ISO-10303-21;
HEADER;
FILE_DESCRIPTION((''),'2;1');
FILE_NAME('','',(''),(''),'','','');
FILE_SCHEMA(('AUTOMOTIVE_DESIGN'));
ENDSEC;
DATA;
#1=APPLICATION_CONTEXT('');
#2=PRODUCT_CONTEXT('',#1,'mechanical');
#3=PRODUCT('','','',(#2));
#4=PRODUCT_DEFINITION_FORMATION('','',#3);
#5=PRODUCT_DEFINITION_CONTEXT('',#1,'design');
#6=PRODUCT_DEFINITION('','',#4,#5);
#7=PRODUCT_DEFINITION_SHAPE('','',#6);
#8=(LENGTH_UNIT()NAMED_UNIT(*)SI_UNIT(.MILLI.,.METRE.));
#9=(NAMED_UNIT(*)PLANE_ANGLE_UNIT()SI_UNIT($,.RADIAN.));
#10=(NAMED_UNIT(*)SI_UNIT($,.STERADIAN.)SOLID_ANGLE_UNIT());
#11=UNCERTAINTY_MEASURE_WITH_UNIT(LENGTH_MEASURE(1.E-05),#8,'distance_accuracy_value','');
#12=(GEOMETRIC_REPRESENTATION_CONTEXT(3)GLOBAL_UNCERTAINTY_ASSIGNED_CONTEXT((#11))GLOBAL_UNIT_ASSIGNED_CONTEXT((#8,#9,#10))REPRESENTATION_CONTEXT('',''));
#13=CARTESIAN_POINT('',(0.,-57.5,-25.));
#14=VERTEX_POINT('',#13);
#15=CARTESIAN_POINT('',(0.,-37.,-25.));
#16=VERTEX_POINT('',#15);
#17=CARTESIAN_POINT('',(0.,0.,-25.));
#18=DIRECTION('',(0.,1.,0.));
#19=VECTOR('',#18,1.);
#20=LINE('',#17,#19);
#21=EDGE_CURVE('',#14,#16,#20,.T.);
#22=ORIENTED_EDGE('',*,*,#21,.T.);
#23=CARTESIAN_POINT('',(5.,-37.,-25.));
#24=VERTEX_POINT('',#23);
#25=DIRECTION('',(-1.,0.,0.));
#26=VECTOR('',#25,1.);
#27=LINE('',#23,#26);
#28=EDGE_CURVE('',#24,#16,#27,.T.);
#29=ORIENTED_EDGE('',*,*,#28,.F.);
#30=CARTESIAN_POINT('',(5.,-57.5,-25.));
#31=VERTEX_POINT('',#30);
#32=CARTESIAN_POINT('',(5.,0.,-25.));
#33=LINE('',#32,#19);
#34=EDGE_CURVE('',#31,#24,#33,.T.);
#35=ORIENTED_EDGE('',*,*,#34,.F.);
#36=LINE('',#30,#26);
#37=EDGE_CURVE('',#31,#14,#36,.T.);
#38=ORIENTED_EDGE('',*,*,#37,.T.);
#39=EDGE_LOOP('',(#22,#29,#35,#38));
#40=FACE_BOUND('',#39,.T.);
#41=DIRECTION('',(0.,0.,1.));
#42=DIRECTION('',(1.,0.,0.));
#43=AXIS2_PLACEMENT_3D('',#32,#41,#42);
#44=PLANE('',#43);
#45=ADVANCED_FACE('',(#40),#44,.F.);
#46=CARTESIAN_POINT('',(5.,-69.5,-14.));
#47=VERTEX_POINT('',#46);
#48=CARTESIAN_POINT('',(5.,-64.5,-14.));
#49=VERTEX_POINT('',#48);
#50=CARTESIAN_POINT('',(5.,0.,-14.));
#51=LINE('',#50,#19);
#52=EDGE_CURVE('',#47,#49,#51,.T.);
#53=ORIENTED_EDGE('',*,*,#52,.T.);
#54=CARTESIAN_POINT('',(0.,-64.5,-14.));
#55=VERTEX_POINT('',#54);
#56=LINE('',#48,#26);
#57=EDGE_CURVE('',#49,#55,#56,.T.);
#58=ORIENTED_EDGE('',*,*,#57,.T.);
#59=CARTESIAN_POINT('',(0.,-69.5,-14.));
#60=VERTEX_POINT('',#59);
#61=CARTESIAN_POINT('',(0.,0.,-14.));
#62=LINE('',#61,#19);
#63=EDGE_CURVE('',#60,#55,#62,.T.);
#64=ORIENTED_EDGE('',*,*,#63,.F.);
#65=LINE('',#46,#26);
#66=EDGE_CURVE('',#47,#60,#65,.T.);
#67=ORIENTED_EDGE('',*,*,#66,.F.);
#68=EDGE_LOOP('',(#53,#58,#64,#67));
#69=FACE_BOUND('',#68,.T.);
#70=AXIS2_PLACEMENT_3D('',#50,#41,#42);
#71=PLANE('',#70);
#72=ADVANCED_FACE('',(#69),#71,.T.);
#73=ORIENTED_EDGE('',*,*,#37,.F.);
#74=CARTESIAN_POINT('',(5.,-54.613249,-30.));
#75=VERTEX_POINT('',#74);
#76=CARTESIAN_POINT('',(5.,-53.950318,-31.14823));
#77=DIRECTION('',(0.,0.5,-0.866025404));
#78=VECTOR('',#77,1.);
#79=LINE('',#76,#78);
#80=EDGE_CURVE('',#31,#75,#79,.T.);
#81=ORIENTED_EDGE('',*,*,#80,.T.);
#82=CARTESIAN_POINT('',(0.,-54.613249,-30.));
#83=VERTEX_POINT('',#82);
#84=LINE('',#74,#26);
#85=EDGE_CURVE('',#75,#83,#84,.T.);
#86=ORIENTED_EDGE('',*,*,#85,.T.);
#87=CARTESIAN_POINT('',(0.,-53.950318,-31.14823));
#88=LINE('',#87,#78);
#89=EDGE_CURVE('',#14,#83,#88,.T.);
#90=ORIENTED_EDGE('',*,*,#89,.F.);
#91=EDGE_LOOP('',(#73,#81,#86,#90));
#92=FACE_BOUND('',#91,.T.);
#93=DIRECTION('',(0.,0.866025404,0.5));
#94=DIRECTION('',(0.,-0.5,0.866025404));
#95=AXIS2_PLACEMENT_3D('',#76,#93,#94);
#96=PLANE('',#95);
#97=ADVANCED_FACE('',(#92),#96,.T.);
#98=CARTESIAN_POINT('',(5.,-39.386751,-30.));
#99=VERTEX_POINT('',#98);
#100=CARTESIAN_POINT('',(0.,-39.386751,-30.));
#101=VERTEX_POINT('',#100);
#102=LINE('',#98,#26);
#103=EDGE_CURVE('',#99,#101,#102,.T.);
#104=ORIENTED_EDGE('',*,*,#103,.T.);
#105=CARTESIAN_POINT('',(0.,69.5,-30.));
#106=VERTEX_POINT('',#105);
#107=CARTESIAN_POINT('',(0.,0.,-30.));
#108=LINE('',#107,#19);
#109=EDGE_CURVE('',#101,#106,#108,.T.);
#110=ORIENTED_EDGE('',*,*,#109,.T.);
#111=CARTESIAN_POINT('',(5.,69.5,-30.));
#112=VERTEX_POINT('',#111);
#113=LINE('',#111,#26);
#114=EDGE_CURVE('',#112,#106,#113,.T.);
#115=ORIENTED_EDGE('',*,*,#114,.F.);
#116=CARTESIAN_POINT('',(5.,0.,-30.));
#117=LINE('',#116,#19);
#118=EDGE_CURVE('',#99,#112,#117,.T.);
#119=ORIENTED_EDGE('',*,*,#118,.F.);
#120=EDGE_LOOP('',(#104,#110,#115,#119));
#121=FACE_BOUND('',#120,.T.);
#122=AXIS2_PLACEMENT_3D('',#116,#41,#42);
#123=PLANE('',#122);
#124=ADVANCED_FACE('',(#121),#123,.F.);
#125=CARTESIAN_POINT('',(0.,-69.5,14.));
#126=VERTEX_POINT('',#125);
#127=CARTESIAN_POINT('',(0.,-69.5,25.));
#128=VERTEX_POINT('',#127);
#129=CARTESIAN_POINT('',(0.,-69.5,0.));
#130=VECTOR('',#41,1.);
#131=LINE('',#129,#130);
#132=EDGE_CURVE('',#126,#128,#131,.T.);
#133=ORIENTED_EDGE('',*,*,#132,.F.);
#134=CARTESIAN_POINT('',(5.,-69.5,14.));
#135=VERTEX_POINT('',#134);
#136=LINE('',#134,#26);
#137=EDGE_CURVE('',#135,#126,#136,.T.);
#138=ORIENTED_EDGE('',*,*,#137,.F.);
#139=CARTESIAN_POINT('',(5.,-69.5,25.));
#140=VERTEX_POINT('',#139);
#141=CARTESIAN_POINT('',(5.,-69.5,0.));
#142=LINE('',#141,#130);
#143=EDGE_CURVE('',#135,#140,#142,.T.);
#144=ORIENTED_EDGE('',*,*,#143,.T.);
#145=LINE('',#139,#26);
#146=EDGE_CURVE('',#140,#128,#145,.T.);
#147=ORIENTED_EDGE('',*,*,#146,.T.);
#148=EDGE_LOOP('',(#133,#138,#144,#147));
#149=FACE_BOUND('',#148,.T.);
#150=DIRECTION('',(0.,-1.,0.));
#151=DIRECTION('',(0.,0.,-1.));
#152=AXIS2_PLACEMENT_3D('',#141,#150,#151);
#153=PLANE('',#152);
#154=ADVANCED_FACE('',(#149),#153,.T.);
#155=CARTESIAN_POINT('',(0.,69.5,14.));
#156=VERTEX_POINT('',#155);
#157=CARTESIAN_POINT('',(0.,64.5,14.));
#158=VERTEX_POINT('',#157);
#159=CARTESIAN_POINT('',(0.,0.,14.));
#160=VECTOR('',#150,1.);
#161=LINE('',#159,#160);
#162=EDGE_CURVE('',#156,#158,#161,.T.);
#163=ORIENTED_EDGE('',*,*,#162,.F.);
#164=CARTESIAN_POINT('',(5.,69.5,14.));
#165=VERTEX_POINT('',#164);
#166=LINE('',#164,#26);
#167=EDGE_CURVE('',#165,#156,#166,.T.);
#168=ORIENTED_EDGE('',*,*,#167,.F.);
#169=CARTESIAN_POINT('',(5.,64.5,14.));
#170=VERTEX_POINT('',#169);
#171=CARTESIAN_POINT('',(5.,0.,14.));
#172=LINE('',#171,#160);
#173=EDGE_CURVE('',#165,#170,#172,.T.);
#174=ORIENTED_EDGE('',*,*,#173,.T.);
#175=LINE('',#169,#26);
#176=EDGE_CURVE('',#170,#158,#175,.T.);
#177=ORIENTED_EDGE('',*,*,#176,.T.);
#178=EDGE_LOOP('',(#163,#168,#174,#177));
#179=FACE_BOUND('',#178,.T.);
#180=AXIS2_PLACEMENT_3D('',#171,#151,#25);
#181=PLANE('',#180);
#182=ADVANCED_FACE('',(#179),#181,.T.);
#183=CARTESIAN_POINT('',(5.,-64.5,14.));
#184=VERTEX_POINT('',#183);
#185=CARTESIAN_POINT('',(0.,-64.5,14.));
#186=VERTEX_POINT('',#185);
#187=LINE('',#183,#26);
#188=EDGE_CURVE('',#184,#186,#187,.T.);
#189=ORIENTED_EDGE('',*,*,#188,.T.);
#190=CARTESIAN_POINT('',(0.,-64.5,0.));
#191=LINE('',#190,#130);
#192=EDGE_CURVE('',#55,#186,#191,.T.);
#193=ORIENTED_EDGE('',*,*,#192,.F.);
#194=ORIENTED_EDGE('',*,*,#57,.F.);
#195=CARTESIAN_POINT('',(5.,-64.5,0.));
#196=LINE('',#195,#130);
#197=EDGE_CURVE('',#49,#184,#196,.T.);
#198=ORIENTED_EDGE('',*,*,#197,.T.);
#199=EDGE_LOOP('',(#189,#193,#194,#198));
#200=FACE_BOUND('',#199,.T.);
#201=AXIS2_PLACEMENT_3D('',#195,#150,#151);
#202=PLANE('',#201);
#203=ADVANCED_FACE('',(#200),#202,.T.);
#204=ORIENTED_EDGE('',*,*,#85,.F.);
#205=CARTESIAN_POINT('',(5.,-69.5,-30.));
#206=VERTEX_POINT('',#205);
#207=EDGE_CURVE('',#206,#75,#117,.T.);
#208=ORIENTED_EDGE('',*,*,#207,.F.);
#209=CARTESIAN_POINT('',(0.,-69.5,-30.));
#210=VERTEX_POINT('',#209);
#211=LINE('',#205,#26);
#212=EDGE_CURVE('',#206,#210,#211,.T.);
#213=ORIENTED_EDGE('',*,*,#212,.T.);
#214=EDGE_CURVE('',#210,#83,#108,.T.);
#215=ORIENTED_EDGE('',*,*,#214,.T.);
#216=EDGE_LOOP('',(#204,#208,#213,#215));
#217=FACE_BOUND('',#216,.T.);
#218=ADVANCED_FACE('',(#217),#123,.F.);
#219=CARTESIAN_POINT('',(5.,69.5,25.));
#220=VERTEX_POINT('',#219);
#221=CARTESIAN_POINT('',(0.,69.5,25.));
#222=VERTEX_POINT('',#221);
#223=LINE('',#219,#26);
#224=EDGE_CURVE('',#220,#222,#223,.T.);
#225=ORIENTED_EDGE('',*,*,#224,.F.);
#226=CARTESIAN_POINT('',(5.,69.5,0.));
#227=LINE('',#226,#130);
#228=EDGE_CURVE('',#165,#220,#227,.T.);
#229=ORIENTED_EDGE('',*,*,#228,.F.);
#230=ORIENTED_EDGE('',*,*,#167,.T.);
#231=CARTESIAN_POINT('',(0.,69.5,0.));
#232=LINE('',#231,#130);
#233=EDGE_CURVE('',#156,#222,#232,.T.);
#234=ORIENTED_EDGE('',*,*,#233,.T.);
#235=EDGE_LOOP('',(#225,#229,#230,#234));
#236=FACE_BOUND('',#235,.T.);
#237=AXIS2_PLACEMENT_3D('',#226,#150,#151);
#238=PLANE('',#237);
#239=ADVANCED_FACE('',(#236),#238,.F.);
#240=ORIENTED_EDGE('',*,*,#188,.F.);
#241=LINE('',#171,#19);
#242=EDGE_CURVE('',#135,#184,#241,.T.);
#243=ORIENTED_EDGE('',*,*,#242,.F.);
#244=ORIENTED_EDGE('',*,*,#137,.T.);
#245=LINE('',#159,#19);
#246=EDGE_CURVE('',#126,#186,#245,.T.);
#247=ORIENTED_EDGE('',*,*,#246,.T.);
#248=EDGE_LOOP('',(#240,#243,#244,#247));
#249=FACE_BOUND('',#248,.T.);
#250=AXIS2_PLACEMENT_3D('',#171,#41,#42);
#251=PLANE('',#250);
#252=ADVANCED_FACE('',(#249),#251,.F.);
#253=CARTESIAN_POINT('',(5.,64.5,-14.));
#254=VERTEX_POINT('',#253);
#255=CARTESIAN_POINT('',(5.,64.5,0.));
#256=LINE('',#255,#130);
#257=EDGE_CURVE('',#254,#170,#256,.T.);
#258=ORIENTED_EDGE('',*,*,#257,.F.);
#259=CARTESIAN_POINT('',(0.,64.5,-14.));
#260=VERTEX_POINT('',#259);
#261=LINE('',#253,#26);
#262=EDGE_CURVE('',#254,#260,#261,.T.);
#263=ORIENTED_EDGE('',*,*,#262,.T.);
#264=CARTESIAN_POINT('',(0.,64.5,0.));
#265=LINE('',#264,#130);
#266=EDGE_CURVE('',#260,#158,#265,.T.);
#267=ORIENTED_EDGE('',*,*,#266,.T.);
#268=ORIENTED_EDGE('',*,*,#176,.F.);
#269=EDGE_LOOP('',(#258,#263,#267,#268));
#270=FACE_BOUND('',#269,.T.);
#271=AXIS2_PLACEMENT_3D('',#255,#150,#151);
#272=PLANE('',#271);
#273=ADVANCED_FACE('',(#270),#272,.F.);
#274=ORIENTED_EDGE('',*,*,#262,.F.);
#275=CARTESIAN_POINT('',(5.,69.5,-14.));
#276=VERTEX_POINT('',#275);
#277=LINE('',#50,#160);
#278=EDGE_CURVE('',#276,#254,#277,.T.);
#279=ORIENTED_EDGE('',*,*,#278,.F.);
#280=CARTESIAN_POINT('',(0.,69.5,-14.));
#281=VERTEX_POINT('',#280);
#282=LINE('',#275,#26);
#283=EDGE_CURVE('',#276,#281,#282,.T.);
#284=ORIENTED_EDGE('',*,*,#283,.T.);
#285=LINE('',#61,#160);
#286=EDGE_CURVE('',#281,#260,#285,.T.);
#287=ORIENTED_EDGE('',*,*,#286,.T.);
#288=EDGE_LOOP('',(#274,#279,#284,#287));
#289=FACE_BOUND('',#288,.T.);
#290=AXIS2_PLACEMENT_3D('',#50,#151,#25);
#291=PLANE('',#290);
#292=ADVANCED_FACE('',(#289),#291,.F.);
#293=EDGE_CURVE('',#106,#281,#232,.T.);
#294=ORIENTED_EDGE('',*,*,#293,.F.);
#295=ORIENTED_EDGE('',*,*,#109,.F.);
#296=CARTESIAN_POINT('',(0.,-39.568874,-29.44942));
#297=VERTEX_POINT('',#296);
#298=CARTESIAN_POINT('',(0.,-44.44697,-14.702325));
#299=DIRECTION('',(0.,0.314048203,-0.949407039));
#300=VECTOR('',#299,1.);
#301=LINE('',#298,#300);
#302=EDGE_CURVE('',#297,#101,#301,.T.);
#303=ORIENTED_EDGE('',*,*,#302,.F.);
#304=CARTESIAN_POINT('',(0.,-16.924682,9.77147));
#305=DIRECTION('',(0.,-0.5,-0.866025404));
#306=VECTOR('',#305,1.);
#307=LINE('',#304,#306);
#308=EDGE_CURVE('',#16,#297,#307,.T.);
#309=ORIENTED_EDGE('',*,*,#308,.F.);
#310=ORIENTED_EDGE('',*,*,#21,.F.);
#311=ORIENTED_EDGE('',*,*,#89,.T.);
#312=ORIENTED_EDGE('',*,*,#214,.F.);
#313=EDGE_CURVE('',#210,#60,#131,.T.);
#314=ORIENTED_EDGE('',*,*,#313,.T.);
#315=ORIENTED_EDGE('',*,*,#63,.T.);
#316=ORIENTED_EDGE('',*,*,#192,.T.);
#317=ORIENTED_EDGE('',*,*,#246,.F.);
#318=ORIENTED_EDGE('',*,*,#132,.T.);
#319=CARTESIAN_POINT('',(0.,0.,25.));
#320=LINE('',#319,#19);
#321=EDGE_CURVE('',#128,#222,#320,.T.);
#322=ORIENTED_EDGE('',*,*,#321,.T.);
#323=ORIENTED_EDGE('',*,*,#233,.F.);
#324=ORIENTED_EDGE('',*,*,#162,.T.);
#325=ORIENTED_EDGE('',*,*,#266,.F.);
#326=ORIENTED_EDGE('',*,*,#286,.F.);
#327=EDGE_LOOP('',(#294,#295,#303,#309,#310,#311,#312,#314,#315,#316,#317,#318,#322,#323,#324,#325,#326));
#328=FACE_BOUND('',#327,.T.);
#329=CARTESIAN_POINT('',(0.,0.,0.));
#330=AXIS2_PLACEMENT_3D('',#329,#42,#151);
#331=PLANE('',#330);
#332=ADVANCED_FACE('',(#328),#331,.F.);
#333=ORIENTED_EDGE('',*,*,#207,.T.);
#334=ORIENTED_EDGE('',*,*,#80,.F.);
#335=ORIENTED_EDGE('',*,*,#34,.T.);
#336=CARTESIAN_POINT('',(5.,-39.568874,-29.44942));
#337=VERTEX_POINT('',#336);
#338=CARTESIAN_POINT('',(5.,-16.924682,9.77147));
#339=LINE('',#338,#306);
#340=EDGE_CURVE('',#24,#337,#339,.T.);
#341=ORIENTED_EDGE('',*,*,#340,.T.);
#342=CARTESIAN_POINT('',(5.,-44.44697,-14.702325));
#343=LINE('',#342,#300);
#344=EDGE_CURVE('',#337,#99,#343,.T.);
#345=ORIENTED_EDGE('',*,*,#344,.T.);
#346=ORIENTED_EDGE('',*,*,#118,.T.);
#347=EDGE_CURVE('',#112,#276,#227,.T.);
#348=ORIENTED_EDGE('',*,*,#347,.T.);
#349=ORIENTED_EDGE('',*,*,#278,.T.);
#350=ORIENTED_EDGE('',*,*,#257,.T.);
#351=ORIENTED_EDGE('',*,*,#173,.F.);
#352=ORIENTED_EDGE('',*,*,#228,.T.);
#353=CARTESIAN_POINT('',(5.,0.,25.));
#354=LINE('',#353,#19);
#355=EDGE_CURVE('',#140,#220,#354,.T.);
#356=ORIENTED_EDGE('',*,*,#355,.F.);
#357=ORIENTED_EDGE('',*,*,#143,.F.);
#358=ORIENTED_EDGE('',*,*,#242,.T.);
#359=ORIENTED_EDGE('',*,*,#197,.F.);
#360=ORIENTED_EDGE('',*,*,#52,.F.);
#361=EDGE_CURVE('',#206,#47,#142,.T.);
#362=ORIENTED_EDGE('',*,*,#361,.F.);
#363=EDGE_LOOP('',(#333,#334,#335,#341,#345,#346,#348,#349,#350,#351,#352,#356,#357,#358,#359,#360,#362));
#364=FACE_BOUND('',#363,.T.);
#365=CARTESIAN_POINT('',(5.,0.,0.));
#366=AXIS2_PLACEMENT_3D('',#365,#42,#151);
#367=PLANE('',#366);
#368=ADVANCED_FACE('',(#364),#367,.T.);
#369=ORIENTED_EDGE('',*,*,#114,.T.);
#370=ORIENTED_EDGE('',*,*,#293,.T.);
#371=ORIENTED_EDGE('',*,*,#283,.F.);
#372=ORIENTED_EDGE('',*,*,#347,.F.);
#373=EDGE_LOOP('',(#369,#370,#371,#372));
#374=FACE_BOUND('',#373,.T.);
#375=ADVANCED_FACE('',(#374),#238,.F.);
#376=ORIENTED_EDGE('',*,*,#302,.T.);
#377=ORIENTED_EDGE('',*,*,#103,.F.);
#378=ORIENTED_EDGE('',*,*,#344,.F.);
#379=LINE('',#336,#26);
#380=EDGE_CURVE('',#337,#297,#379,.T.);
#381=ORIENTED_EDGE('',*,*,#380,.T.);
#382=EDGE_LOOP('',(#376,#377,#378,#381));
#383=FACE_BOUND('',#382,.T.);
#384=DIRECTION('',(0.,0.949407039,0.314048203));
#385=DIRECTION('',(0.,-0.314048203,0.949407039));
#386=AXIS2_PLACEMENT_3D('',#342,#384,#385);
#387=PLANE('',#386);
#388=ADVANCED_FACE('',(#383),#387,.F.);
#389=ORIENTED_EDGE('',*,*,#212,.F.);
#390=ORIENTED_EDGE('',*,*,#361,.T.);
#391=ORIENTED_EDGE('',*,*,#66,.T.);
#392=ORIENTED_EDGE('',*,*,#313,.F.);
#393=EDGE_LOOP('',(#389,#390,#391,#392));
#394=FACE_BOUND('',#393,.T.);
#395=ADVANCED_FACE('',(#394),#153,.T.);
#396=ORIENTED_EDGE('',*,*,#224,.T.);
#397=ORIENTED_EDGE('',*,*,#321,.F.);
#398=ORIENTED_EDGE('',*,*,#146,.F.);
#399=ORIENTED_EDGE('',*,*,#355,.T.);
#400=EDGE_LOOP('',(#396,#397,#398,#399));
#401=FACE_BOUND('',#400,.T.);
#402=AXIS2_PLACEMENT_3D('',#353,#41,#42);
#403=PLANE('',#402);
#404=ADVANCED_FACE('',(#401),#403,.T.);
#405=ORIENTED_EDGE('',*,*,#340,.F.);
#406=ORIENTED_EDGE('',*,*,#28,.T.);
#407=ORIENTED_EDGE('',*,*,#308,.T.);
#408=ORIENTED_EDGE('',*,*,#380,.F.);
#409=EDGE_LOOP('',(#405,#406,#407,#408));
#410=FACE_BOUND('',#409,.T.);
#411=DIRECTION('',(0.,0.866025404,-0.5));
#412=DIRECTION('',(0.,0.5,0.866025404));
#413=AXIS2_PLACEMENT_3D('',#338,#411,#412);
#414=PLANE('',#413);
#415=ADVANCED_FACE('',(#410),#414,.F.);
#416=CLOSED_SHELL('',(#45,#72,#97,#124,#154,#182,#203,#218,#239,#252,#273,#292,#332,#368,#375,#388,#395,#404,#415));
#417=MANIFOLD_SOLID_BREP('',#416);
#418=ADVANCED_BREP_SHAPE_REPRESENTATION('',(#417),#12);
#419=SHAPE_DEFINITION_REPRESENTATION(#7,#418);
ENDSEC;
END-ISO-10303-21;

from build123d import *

# Parameters (mm, degrees)
BOSS_EXTRUDE1_DEPTH = 5


with BuildPart() as part:
    # Sketch2 → Boss-Extrude1 (new body)
    with BuildSketch(Plane.YZ):
        Polygon((-69.5, -14), (-69.5, -30), (-54.613248654, -30), (-57.5, -25), (-37, -25), (-39.568874027, -29.449420332), (-39.386751346, -30), (69.5, -30), (69.5, -14), (64.5, -14), (64.5, 14), (69.5, 14), (69.5, 25), (-69.5, 25), (-69.5, 14), (-64.5, 14), (-64.5, -14), align=None)
    extrude(amount=BOSS_EXTRUDE1_DEPTH)


solid = part.part
